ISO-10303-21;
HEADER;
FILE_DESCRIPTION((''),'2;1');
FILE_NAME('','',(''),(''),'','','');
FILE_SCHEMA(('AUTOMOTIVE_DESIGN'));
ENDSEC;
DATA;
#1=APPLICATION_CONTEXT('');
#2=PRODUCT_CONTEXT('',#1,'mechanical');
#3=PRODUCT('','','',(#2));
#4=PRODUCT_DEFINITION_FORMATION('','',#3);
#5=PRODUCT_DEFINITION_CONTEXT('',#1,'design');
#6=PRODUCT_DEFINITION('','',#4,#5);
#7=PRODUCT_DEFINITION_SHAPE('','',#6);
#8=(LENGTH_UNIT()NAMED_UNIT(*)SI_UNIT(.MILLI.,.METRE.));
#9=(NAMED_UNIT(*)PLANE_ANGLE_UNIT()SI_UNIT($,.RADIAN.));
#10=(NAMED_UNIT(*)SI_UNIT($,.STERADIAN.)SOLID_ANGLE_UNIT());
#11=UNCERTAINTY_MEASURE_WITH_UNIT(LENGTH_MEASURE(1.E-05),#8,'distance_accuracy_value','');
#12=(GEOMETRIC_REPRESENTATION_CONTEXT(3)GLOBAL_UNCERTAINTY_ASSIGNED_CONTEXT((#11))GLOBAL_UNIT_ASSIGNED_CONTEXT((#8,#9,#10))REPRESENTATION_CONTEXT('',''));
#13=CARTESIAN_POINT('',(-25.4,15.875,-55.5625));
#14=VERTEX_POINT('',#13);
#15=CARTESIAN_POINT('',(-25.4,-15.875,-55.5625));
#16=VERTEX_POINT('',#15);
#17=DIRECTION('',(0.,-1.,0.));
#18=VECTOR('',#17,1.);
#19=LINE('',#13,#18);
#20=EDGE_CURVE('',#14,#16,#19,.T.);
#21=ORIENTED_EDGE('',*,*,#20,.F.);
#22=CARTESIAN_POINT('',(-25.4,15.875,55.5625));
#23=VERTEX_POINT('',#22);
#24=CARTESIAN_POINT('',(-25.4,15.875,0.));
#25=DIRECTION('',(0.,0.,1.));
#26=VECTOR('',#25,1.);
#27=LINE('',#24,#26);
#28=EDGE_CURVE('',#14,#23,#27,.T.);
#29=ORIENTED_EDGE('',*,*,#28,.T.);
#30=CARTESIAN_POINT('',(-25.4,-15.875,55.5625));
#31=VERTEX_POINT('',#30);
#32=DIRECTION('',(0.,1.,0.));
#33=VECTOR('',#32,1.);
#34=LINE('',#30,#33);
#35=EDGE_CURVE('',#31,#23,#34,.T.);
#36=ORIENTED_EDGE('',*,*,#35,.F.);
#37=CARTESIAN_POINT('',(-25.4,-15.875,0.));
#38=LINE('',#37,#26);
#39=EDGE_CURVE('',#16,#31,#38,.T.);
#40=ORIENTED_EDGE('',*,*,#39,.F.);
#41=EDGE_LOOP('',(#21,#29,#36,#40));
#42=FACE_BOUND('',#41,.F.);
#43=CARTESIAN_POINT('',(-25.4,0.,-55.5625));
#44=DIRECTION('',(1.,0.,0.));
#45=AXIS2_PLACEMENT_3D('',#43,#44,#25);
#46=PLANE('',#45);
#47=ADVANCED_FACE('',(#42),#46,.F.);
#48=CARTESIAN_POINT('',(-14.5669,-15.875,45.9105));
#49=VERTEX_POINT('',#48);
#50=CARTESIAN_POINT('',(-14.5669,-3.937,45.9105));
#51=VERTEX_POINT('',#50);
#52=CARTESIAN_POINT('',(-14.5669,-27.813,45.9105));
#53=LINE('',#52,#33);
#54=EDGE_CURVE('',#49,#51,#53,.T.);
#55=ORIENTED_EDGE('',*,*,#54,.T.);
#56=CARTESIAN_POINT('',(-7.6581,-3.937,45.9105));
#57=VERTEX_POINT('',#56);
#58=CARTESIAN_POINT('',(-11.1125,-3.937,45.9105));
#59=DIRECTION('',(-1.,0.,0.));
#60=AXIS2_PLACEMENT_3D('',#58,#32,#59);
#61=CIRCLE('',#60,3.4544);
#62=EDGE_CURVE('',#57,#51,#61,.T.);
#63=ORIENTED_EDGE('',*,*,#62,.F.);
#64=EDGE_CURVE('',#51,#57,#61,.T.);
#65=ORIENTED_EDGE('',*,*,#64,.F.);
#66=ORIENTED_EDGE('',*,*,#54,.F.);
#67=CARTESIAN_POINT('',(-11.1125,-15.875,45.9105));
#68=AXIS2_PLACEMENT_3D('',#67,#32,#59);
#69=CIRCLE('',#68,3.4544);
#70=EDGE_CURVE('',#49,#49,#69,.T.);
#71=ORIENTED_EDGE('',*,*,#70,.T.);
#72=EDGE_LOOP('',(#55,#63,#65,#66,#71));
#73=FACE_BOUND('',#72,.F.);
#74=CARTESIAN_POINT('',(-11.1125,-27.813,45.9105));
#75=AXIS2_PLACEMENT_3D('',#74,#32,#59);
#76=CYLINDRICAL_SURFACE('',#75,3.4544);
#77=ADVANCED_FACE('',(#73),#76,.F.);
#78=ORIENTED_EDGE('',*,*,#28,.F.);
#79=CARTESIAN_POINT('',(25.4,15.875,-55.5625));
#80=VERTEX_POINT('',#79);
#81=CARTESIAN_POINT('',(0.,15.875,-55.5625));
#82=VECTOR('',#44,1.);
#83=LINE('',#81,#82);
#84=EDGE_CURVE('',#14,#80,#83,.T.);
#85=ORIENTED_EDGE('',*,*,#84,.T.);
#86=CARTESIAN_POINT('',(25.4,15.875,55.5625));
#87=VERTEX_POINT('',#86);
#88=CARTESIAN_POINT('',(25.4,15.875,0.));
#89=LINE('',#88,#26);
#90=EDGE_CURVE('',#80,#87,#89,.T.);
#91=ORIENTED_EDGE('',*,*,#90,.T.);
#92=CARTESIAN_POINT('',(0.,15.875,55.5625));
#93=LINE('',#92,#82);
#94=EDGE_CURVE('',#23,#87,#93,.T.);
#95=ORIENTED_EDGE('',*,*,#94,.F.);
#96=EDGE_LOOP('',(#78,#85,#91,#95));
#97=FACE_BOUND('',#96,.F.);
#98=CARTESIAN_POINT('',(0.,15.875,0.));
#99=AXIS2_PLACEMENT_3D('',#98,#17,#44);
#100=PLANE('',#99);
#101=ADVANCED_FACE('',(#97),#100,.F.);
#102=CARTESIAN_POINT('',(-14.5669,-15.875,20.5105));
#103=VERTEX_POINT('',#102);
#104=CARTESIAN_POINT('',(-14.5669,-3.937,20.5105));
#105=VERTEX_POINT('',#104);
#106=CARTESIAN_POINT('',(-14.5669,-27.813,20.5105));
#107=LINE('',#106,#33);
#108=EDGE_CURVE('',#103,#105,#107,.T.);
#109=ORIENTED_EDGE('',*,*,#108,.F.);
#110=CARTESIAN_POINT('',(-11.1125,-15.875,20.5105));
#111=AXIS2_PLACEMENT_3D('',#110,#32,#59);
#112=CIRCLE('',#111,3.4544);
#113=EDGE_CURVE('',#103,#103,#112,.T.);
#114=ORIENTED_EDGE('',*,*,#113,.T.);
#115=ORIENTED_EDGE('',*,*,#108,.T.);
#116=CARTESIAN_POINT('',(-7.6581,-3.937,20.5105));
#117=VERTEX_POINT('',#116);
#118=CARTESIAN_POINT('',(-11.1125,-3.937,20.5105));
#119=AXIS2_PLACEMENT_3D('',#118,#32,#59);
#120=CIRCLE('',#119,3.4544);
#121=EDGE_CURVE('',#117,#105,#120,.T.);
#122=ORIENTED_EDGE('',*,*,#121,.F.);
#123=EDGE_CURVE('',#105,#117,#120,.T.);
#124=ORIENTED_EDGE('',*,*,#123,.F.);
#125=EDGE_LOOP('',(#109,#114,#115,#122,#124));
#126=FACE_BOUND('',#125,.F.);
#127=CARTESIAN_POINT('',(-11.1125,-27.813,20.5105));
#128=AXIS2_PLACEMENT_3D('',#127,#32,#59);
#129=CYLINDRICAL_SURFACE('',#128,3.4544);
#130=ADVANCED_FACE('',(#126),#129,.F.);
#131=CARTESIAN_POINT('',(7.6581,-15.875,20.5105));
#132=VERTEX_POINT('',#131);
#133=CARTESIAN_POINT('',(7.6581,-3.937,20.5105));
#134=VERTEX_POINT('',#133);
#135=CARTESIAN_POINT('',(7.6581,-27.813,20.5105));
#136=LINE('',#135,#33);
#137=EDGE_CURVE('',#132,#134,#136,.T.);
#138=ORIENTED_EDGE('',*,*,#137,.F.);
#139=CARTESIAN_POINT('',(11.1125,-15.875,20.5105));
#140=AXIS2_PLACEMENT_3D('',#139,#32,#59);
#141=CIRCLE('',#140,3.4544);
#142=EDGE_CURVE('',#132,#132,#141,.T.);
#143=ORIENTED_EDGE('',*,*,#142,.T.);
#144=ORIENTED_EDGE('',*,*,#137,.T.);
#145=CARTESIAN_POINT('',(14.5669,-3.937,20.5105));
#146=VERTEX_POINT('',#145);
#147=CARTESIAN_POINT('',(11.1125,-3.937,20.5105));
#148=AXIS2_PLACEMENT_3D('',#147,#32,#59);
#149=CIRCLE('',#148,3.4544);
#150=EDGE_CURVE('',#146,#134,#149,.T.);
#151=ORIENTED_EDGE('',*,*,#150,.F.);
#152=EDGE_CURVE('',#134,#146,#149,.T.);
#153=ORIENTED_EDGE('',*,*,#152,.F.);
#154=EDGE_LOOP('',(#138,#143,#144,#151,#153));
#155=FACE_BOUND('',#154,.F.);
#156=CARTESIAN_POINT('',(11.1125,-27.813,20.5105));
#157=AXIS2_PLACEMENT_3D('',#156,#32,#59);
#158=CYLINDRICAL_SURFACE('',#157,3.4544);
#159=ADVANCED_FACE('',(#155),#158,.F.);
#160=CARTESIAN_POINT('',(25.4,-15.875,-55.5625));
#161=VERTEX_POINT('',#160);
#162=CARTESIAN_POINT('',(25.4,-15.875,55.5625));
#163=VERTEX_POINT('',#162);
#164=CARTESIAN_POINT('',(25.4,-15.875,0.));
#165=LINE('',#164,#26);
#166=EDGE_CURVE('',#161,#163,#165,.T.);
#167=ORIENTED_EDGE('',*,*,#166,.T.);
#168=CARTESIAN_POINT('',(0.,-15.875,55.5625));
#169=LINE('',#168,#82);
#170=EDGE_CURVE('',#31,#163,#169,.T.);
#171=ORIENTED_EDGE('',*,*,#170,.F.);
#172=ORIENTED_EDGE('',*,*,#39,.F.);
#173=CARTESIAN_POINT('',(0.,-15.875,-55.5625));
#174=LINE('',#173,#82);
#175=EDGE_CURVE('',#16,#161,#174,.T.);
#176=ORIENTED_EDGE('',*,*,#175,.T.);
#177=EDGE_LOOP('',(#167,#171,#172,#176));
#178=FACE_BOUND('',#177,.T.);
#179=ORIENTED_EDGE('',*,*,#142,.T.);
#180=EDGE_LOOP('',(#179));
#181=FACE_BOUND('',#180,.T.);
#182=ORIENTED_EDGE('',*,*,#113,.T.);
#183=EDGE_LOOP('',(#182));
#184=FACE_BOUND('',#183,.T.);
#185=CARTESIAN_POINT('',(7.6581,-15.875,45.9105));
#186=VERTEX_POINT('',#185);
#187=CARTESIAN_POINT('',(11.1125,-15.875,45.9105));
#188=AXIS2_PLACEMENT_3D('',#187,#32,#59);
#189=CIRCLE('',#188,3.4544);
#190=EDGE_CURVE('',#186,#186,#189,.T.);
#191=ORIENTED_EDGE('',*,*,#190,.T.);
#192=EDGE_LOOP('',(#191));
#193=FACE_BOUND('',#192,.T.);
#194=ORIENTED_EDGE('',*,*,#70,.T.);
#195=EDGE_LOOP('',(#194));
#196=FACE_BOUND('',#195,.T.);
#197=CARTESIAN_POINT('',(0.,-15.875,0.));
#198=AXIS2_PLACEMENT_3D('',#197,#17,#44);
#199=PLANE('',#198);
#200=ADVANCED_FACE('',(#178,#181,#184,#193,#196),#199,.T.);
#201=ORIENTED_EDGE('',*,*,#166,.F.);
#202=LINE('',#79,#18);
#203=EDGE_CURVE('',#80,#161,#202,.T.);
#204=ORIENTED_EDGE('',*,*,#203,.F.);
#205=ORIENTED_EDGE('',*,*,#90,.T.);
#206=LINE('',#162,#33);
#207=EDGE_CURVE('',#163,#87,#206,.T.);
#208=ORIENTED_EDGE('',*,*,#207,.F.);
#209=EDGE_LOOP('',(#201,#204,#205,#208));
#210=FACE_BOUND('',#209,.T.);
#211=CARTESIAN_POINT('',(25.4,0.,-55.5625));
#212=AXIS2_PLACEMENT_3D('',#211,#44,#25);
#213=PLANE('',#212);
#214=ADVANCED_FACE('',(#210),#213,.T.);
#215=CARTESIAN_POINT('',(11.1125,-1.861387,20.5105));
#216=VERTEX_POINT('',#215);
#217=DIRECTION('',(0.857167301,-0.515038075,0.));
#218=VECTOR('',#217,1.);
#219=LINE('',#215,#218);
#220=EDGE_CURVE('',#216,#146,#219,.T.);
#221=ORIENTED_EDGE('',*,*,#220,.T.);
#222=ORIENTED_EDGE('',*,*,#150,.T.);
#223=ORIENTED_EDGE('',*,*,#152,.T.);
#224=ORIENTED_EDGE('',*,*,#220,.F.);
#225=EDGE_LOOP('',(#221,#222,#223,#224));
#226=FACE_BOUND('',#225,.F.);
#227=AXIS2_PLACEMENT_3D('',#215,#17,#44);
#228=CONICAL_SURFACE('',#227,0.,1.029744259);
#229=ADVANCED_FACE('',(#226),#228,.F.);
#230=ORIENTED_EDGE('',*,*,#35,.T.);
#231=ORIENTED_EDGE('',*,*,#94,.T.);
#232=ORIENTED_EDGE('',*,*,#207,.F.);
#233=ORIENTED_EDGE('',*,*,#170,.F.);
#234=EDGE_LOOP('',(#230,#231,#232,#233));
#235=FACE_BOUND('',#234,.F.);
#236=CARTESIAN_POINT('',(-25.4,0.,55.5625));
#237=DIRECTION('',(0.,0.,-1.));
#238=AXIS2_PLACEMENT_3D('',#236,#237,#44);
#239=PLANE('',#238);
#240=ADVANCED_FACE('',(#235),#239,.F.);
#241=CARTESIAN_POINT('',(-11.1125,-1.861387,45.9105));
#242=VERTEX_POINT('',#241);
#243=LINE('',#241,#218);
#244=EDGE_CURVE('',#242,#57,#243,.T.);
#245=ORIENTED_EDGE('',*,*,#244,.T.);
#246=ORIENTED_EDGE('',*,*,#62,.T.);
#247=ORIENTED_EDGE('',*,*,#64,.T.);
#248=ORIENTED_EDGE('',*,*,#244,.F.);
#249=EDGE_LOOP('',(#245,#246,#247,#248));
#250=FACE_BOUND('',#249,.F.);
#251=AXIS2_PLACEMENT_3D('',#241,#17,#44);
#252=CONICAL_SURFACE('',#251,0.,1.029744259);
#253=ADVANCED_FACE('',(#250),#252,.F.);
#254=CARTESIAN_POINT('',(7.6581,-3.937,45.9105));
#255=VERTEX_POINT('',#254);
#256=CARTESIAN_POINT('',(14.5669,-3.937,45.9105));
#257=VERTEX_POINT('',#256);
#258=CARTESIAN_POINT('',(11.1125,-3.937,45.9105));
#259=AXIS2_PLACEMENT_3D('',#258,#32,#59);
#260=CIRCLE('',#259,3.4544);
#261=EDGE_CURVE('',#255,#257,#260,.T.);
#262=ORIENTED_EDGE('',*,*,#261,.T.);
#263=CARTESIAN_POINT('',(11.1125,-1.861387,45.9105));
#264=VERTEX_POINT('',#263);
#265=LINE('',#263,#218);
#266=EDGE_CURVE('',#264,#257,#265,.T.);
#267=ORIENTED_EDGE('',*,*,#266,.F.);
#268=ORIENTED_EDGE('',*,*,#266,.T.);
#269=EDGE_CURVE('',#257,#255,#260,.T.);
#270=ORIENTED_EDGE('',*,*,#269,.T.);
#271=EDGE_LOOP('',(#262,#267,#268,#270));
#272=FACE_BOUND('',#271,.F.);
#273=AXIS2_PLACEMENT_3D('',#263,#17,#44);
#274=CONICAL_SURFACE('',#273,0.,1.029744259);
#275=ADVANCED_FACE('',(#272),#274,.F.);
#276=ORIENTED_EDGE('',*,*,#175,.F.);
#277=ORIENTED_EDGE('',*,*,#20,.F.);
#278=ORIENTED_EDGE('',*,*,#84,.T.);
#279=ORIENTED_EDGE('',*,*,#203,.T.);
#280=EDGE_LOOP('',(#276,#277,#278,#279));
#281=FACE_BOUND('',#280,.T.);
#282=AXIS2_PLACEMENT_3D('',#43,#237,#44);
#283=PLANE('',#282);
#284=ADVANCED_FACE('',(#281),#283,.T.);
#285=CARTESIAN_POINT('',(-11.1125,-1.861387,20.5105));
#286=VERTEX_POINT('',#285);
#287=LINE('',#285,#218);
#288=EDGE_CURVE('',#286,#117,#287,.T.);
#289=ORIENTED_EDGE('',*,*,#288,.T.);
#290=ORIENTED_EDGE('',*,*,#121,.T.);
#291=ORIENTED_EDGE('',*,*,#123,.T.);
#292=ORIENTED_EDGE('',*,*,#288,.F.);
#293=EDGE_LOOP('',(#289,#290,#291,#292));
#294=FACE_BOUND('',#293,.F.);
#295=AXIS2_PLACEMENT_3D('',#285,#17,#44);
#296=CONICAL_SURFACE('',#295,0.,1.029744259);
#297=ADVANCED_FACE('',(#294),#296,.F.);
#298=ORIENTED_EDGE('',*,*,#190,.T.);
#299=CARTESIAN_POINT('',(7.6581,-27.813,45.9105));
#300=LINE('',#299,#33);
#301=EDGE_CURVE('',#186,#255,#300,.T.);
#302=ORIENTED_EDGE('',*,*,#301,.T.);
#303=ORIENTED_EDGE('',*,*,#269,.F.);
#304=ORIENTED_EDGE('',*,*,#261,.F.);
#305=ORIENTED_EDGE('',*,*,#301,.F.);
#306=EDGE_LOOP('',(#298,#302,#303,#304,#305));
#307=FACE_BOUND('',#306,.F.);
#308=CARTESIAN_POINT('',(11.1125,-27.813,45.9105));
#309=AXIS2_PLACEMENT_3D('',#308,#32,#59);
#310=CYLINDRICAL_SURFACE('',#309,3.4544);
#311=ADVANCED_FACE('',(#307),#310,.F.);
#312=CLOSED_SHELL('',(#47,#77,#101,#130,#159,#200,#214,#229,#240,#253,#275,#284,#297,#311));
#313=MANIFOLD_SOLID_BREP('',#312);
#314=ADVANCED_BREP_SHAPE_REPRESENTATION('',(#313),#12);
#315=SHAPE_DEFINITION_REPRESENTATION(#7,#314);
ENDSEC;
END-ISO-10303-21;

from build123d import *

# Parameters (mm, degrees)
F0_W     = 50.8
F0_H     = 111.125
F1_DEPTH = 15.875
F3_D     = 6.9088
F3_DEPTH = 11.938
F3_TIP   = 2.0756129224


with BuildPart() as f1:
    # F0 (on Front) → F1 (new body, symmetric)
    with BuildSketch(Plane.XZ):
        Rectangle(F0_W, F0_H)
    extrude(amount=F1_DEPTH, both=True)

    # F3
    with Locations(Plane.XZ.offset(15.875)):
        with Locations((-11.1125, 45.9105), (11.1125, 45.9105), (-11.1125, 20.5105), (11.1125, 20.5105)):
            Hole(F3_D / 2, depth=F3_DEPTH)
            with Locations((0, 0, -(F3_DEPTH + F3_TIP / 2))):  # 118° drill point
                Cone(0, F3_D / 2, F3_TIP, mode=Mode.SUBTRACT)


solid = f1.part
